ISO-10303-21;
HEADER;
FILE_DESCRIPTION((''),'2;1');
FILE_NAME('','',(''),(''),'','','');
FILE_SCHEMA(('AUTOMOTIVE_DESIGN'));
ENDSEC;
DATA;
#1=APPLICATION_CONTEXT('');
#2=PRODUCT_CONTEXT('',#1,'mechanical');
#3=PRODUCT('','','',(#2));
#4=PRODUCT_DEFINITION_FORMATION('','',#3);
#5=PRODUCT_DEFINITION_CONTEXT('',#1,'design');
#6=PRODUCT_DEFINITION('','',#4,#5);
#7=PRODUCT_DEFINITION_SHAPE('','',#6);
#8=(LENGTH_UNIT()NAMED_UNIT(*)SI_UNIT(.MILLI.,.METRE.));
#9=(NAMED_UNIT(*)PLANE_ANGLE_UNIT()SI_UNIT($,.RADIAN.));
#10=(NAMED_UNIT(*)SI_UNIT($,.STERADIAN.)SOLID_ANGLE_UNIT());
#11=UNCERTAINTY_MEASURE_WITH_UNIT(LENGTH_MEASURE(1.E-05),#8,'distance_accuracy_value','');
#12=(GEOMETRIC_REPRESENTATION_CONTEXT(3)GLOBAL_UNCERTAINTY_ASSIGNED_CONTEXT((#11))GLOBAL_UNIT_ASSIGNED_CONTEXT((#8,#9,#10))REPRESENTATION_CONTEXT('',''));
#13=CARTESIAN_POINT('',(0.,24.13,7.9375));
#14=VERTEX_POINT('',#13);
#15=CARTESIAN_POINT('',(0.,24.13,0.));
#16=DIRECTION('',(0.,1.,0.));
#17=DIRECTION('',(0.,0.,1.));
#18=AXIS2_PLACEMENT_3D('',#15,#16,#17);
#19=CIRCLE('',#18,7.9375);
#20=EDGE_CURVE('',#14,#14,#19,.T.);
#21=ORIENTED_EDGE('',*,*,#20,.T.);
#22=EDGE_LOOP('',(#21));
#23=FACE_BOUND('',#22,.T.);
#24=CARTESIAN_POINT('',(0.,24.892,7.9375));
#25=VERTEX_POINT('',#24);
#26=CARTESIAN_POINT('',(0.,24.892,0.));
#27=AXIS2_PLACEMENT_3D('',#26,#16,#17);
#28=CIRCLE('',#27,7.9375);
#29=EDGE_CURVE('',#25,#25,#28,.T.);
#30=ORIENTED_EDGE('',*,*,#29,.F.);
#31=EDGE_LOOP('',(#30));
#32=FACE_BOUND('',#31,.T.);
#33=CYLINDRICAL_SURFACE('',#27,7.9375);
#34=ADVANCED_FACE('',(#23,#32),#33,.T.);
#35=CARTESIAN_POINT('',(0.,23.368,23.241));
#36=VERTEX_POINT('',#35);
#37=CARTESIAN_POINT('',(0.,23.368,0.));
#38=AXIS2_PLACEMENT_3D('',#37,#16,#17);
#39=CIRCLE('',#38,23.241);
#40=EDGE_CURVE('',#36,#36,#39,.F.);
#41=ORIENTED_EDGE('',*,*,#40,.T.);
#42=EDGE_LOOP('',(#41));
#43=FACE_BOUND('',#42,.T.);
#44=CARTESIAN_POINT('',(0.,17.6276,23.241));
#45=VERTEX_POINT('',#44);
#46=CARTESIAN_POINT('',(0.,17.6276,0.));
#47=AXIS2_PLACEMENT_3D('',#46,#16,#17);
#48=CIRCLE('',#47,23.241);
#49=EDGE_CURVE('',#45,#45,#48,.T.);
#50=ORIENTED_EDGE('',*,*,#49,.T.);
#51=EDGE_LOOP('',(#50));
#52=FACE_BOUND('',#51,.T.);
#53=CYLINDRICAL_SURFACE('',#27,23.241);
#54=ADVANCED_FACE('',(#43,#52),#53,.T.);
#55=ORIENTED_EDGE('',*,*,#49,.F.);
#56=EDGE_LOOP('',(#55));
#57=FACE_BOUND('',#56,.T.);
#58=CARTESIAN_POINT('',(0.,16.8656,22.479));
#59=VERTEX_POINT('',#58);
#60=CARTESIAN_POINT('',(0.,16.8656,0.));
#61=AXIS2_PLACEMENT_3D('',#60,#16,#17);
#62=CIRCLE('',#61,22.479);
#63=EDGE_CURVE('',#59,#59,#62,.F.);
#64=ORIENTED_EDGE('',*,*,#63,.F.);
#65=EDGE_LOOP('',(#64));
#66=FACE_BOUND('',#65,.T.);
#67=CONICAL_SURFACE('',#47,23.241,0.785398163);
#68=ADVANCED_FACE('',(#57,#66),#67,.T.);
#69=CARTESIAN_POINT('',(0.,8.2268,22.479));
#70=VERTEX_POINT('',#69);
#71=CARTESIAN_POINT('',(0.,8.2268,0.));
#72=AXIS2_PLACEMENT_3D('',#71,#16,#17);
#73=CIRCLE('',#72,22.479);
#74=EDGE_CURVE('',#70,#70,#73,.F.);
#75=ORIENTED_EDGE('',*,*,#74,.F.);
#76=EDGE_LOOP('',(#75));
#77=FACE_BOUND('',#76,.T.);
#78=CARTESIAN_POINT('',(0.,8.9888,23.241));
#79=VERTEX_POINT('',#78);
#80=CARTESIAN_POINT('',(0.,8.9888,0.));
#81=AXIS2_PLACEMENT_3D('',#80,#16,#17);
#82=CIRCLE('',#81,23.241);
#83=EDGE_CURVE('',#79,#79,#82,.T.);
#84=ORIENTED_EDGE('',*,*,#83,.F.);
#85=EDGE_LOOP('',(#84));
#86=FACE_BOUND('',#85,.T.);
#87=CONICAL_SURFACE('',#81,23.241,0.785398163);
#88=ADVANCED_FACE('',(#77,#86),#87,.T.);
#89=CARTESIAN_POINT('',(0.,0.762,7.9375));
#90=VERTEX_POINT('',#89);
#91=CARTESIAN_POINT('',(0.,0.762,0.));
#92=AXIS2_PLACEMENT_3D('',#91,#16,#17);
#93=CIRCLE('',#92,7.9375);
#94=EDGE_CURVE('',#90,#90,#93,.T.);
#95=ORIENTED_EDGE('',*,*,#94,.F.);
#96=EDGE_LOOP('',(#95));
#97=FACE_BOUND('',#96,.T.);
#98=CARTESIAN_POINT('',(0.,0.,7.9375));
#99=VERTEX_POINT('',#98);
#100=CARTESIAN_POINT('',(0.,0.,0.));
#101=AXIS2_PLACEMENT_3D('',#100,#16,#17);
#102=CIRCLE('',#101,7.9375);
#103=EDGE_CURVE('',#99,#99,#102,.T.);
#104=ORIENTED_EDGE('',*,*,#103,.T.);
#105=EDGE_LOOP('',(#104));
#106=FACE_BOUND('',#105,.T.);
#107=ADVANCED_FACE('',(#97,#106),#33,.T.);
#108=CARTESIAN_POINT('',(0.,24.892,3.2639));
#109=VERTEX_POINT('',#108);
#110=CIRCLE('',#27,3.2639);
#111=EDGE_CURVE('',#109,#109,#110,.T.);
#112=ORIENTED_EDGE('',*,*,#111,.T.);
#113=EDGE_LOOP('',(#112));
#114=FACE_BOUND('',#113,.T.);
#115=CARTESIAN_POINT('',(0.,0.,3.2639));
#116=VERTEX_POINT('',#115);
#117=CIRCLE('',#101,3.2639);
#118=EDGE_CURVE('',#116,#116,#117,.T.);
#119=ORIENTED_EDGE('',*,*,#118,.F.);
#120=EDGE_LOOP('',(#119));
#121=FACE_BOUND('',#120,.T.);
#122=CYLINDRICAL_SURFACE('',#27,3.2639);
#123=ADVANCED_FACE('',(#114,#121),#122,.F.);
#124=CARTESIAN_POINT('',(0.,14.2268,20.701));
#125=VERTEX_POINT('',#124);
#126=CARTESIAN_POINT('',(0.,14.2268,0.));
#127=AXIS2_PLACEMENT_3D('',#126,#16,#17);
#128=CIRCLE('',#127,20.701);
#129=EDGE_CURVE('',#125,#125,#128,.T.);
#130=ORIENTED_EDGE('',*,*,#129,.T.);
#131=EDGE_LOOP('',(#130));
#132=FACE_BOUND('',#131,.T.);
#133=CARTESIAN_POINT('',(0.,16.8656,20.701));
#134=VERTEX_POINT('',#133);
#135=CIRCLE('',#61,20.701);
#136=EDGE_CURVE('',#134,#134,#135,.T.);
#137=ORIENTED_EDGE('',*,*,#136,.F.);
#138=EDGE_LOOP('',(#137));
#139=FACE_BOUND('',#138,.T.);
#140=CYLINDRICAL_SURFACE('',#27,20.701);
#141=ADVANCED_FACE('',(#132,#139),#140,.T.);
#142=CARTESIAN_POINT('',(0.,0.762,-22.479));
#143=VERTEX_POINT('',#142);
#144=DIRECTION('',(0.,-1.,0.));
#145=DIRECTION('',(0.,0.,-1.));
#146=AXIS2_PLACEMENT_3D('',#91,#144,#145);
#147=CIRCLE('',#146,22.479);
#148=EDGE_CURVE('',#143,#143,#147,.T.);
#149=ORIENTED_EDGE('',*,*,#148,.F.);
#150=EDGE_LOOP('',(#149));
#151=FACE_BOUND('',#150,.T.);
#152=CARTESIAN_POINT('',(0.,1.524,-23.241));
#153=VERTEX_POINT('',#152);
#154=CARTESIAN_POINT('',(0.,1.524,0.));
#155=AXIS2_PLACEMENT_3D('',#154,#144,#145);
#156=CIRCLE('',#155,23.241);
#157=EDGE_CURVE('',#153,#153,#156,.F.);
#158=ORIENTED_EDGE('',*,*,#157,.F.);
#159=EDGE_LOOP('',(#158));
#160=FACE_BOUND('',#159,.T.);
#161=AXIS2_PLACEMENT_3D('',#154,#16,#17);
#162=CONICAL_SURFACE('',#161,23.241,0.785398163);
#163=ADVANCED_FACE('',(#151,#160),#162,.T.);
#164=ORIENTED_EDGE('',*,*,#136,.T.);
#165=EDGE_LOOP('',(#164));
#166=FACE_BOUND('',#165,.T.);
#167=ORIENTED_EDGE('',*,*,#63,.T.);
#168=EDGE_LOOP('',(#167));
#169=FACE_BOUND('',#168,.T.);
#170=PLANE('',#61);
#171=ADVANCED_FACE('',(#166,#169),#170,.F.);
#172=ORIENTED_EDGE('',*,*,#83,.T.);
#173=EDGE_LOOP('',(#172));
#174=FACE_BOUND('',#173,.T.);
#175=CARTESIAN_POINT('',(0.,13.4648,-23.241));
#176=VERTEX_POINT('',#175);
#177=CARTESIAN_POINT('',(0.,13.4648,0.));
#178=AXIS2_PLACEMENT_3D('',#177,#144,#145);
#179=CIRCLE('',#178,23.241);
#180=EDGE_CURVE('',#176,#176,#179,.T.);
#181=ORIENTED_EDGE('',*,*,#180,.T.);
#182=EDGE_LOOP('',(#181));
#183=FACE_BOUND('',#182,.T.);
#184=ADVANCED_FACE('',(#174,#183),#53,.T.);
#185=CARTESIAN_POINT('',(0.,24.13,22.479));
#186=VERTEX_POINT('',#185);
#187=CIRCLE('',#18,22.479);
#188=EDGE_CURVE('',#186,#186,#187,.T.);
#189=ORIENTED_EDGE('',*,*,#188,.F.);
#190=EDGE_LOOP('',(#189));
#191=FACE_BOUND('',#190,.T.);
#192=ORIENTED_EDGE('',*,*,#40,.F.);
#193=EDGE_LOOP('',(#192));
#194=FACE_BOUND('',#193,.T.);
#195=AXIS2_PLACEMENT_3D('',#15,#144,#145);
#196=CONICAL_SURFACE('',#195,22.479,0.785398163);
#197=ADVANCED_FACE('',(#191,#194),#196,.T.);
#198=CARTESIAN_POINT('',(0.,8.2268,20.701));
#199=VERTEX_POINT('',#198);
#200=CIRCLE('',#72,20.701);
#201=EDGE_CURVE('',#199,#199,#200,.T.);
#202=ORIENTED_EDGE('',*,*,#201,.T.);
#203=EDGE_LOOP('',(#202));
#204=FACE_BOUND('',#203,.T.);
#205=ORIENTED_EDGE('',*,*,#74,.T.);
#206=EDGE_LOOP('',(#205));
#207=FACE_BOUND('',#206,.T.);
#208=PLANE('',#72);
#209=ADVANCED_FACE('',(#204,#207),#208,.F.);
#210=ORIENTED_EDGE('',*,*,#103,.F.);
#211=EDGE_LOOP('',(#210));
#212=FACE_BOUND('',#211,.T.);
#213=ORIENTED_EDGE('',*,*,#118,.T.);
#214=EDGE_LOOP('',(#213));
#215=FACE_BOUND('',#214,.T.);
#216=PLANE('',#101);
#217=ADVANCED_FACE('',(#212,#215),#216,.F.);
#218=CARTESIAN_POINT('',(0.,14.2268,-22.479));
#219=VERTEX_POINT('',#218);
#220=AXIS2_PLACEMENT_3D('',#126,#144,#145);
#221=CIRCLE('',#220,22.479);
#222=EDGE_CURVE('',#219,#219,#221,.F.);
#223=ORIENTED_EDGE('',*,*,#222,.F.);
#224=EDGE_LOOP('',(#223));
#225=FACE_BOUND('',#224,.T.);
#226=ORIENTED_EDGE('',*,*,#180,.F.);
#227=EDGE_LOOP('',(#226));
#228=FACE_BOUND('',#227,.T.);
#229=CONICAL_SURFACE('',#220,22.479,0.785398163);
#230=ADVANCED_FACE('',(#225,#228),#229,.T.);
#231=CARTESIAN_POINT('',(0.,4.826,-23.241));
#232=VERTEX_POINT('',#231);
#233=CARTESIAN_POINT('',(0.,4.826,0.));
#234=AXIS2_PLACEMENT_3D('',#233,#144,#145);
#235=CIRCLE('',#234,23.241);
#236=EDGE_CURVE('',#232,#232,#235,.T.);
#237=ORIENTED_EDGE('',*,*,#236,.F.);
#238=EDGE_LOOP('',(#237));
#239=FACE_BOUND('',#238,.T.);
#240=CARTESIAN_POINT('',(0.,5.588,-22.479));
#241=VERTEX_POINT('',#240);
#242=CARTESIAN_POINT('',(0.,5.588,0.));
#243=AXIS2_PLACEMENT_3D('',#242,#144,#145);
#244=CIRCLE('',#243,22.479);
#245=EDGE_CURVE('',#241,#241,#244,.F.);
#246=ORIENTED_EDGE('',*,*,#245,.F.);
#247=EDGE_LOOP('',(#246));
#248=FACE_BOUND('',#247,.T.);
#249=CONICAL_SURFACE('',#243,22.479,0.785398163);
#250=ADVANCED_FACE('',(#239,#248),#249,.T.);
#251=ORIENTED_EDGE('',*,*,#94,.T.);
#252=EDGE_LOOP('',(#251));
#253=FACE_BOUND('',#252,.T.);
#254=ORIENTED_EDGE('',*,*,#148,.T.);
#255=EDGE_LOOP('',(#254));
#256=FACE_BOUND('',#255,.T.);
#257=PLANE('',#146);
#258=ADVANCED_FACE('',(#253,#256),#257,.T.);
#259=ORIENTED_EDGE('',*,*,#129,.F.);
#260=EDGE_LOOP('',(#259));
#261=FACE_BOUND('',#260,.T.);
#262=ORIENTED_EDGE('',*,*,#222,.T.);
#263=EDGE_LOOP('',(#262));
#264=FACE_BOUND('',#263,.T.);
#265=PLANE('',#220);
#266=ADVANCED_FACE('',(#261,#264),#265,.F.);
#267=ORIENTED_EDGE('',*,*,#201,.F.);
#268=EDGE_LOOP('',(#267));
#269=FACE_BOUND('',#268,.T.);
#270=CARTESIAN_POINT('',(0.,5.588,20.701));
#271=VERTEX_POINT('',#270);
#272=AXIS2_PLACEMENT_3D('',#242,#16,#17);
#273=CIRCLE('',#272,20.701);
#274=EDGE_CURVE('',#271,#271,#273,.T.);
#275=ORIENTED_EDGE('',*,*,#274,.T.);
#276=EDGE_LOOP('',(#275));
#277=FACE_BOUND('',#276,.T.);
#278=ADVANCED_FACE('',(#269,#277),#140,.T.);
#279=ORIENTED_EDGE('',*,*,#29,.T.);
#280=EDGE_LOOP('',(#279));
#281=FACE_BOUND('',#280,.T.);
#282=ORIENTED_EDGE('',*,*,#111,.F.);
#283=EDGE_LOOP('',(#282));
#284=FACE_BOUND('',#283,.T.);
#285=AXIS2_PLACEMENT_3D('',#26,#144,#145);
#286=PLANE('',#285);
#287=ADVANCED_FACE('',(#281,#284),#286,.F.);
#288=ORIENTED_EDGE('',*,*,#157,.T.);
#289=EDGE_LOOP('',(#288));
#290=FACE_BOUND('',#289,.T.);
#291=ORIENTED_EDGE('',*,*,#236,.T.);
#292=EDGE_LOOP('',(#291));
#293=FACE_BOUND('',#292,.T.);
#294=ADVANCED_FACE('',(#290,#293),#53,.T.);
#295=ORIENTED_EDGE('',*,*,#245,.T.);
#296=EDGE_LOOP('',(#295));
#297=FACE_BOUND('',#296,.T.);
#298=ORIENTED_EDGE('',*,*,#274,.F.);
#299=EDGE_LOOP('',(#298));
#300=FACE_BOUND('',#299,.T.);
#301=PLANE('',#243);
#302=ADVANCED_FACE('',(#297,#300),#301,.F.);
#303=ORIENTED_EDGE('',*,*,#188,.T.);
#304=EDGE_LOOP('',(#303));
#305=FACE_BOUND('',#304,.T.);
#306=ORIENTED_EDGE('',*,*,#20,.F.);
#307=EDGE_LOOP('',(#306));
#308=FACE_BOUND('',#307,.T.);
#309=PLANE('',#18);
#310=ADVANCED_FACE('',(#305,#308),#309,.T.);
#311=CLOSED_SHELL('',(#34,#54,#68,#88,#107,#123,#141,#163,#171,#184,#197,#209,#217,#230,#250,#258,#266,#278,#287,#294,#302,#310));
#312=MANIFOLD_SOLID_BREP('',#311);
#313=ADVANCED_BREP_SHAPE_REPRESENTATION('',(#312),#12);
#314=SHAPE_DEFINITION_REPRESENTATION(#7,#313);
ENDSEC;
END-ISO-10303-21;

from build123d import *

# Parameters (mm, degrees)
F_1_4_CLEARANCE_HOLE1_D = 6.5278
CHAMFER1_SIZE           = 0.762


with BuildPart() as part:
    # Sketch1 → Revolve1 (revolve)
    with BuildSketch(Plane.XY):
        Polygon((7.9375, 0.762), (7.9375, 0), (0, 0), (0, 24.892), (7.9375, 24.892), (7.9375, 24.13), (23.241, 24.13), (23.241, 16.8656), (20.701, 16.8656), (20.701, 14.226799969), (23.241, 14.226799969), (23.241, 8.226800031), (20.701, 8.226800031), (20.701, 5.588), (23.241, 5.588), (23.241, 0.762), align=None)
    revolve(axis=Axis((0, 24.892, 0), (0, -1, 0)))

    # 1/4 Clearance Hole1 (through all)
    with Locations(Plane(origin=(0, 24.892, 0), x_dir=(1, 0, 0), z_dir=(0, 1, 0))):
        with Locations((0, 0)):
            Hole(F_1_4_CLEARANCE_HOLE1_D / 2)

    # Chamfer1
    chamfer1_edges = [part.edges().sort_by_distance(p)[0] for p in [
        (-23.241, 24.13, 0),
        (-23.241, 16.8656, 0),
        (-23.241, 14.226799969, 0),
        (-23.241, 8.226800031, 0),
        (-23.241, 5.588, 0),
        (-23.241, 0.762, 0),
    ]]
    chamfer(chamfer1_edges, length=CHAMFER1_SIZE)


solid = part.part
